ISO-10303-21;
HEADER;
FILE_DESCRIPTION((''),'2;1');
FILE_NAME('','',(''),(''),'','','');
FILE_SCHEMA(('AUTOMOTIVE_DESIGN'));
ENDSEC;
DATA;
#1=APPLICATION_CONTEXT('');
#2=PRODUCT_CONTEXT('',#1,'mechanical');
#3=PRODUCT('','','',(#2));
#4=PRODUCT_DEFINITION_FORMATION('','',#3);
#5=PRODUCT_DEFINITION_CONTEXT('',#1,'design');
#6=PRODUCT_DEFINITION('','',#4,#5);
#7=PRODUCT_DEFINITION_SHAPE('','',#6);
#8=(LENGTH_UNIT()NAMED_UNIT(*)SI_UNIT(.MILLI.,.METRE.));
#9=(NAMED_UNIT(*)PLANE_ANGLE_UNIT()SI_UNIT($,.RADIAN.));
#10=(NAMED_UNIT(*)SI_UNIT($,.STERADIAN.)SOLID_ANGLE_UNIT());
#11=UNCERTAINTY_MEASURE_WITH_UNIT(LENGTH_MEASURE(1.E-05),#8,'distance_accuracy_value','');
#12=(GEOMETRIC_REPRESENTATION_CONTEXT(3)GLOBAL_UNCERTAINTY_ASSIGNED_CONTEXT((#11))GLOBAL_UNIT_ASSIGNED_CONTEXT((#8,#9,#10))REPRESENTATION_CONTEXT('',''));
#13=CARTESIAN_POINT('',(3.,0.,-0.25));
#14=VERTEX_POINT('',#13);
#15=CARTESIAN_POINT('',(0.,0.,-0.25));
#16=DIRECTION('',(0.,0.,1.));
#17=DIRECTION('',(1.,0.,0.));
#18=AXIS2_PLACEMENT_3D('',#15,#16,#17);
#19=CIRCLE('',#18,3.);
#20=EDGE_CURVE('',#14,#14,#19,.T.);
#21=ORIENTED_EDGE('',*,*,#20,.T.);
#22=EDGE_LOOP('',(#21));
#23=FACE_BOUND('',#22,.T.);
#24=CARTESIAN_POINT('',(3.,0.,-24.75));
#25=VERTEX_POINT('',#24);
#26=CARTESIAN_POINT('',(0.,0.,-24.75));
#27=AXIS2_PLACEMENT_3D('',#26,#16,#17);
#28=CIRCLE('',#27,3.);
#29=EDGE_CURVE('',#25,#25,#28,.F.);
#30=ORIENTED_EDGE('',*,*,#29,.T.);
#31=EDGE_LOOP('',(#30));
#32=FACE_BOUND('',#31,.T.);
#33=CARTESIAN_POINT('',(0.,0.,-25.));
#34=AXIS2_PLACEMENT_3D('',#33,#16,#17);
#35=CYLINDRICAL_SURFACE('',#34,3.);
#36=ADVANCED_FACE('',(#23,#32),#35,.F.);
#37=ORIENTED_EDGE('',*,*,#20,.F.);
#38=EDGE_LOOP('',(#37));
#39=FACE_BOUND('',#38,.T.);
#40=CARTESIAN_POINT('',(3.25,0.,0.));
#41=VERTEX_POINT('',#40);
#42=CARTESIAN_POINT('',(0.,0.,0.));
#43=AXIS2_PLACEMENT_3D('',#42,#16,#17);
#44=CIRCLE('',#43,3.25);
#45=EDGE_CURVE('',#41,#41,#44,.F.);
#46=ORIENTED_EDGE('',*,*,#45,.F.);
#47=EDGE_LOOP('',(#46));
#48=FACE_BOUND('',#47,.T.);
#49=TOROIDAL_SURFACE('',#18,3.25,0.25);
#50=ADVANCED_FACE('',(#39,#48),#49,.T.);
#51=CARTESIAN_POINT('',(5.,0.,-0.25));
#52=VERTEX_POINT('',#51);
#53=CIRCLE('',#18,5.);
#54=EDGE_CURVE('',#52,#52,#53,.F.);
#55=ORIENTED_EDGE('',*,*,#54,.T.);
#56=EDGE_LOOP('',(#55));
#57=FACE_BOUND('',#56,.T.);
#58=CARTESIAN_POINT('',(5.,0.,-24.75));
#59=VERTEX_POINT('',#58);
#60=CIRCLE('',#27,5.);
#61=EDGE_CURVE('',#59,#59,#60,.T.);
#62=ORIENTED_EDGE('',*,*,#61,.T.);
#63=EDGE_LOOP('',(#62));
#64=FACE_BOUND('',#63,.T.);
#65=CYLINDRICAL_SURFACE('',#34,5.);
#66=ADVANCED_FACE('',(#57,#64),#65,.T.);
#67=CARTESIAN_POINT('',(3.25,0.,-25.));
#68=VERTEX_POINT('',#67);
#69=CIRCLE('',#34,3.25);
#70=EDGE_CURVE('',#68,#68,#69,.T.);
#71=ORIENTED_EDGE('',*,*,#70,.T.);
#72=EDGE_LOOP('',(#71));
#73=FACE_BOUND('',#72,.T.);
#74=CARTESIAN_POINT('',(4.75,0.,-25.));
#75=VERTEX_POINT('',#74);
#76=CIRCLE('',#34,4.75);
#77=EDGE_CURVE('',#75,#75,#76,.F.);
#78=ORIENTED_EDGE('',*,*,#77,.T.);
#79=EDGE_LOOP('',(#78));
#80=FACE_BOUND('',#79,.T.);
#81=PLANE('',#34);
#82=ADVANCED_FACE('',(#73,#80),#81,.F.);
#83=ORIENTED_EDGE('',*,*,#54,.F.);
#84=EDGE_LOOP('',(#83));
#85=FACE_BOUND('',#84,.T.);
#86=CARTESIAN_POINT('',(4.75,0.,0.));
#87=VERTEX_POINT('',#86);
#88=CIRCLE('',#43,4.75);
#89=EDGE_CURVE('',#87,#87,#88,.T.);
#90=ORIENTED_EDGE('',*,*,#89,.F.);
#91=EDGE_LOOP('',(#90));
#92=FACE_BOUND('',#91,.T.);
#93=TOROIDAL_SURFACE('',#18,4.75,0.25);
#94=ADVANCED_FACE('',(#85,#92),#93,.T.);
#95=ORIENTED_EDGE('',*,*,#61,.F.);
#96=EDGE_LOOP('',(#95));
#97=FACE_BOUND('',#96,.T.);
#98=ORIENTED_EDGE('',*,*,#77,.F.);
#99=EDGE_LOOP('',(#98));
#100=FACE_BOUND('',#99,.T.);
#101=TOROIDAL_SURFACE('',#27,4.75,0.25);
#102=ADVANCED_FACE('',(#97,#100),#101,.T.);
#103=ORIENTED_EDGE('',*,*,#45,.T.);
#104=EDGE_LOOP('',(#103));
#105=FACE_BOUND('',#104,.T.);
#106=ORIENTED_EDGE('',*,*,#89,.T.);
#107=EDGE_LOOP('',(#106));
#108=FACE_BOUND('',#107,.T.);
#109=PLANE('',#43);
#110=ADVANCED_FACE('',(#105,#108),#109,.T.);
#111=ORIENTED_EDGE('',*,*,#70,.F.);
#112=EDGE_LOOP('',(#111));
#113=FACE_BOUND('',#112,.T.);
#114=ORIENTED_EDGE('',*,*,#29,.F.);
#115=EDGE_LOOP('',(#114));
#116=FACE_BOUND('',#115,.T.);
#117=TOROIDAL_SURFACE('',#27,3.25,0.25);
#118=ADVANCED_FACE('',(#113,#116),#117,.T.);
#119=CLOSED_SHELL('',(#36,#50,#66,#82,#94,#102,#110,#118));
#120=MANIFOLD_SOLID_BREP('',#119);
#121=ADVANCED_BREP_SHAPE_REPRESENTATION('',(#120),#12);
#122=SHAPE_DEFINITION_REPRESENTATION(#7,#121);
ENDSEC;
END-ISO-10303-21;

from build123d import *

# Parameters (mm, degrees)
SKETCH1_R           = 5
SKETCH1_R_2         = 3
BOSS_EXTRUDE1_DEPTH = 25
FILLET1_R           = 0.25


with BuildPart() as part:
    # Sketch1 → Boss-Extrude1 (new body)
    with BuildSketch(Plane.XY):
        Circle(SKETCH1_R)
        Circle(SKETCH1_R_2, mode=Mode.SUBTRACT)
    extrude(amount=-BOSS_EXTRUDE1_DEPTH)

    # Fillet1
    fillet1_edges = [part.edges().sort_by_distance(p)[0] for p in [
        (-5, 0, 0),
        (-5, 0, -25),
        (-3, 0, -25),
        (-3, 0, 0),
    ]]
    fillet(fillet1_edges, radius=FILLET1_R)


solid = part.part
